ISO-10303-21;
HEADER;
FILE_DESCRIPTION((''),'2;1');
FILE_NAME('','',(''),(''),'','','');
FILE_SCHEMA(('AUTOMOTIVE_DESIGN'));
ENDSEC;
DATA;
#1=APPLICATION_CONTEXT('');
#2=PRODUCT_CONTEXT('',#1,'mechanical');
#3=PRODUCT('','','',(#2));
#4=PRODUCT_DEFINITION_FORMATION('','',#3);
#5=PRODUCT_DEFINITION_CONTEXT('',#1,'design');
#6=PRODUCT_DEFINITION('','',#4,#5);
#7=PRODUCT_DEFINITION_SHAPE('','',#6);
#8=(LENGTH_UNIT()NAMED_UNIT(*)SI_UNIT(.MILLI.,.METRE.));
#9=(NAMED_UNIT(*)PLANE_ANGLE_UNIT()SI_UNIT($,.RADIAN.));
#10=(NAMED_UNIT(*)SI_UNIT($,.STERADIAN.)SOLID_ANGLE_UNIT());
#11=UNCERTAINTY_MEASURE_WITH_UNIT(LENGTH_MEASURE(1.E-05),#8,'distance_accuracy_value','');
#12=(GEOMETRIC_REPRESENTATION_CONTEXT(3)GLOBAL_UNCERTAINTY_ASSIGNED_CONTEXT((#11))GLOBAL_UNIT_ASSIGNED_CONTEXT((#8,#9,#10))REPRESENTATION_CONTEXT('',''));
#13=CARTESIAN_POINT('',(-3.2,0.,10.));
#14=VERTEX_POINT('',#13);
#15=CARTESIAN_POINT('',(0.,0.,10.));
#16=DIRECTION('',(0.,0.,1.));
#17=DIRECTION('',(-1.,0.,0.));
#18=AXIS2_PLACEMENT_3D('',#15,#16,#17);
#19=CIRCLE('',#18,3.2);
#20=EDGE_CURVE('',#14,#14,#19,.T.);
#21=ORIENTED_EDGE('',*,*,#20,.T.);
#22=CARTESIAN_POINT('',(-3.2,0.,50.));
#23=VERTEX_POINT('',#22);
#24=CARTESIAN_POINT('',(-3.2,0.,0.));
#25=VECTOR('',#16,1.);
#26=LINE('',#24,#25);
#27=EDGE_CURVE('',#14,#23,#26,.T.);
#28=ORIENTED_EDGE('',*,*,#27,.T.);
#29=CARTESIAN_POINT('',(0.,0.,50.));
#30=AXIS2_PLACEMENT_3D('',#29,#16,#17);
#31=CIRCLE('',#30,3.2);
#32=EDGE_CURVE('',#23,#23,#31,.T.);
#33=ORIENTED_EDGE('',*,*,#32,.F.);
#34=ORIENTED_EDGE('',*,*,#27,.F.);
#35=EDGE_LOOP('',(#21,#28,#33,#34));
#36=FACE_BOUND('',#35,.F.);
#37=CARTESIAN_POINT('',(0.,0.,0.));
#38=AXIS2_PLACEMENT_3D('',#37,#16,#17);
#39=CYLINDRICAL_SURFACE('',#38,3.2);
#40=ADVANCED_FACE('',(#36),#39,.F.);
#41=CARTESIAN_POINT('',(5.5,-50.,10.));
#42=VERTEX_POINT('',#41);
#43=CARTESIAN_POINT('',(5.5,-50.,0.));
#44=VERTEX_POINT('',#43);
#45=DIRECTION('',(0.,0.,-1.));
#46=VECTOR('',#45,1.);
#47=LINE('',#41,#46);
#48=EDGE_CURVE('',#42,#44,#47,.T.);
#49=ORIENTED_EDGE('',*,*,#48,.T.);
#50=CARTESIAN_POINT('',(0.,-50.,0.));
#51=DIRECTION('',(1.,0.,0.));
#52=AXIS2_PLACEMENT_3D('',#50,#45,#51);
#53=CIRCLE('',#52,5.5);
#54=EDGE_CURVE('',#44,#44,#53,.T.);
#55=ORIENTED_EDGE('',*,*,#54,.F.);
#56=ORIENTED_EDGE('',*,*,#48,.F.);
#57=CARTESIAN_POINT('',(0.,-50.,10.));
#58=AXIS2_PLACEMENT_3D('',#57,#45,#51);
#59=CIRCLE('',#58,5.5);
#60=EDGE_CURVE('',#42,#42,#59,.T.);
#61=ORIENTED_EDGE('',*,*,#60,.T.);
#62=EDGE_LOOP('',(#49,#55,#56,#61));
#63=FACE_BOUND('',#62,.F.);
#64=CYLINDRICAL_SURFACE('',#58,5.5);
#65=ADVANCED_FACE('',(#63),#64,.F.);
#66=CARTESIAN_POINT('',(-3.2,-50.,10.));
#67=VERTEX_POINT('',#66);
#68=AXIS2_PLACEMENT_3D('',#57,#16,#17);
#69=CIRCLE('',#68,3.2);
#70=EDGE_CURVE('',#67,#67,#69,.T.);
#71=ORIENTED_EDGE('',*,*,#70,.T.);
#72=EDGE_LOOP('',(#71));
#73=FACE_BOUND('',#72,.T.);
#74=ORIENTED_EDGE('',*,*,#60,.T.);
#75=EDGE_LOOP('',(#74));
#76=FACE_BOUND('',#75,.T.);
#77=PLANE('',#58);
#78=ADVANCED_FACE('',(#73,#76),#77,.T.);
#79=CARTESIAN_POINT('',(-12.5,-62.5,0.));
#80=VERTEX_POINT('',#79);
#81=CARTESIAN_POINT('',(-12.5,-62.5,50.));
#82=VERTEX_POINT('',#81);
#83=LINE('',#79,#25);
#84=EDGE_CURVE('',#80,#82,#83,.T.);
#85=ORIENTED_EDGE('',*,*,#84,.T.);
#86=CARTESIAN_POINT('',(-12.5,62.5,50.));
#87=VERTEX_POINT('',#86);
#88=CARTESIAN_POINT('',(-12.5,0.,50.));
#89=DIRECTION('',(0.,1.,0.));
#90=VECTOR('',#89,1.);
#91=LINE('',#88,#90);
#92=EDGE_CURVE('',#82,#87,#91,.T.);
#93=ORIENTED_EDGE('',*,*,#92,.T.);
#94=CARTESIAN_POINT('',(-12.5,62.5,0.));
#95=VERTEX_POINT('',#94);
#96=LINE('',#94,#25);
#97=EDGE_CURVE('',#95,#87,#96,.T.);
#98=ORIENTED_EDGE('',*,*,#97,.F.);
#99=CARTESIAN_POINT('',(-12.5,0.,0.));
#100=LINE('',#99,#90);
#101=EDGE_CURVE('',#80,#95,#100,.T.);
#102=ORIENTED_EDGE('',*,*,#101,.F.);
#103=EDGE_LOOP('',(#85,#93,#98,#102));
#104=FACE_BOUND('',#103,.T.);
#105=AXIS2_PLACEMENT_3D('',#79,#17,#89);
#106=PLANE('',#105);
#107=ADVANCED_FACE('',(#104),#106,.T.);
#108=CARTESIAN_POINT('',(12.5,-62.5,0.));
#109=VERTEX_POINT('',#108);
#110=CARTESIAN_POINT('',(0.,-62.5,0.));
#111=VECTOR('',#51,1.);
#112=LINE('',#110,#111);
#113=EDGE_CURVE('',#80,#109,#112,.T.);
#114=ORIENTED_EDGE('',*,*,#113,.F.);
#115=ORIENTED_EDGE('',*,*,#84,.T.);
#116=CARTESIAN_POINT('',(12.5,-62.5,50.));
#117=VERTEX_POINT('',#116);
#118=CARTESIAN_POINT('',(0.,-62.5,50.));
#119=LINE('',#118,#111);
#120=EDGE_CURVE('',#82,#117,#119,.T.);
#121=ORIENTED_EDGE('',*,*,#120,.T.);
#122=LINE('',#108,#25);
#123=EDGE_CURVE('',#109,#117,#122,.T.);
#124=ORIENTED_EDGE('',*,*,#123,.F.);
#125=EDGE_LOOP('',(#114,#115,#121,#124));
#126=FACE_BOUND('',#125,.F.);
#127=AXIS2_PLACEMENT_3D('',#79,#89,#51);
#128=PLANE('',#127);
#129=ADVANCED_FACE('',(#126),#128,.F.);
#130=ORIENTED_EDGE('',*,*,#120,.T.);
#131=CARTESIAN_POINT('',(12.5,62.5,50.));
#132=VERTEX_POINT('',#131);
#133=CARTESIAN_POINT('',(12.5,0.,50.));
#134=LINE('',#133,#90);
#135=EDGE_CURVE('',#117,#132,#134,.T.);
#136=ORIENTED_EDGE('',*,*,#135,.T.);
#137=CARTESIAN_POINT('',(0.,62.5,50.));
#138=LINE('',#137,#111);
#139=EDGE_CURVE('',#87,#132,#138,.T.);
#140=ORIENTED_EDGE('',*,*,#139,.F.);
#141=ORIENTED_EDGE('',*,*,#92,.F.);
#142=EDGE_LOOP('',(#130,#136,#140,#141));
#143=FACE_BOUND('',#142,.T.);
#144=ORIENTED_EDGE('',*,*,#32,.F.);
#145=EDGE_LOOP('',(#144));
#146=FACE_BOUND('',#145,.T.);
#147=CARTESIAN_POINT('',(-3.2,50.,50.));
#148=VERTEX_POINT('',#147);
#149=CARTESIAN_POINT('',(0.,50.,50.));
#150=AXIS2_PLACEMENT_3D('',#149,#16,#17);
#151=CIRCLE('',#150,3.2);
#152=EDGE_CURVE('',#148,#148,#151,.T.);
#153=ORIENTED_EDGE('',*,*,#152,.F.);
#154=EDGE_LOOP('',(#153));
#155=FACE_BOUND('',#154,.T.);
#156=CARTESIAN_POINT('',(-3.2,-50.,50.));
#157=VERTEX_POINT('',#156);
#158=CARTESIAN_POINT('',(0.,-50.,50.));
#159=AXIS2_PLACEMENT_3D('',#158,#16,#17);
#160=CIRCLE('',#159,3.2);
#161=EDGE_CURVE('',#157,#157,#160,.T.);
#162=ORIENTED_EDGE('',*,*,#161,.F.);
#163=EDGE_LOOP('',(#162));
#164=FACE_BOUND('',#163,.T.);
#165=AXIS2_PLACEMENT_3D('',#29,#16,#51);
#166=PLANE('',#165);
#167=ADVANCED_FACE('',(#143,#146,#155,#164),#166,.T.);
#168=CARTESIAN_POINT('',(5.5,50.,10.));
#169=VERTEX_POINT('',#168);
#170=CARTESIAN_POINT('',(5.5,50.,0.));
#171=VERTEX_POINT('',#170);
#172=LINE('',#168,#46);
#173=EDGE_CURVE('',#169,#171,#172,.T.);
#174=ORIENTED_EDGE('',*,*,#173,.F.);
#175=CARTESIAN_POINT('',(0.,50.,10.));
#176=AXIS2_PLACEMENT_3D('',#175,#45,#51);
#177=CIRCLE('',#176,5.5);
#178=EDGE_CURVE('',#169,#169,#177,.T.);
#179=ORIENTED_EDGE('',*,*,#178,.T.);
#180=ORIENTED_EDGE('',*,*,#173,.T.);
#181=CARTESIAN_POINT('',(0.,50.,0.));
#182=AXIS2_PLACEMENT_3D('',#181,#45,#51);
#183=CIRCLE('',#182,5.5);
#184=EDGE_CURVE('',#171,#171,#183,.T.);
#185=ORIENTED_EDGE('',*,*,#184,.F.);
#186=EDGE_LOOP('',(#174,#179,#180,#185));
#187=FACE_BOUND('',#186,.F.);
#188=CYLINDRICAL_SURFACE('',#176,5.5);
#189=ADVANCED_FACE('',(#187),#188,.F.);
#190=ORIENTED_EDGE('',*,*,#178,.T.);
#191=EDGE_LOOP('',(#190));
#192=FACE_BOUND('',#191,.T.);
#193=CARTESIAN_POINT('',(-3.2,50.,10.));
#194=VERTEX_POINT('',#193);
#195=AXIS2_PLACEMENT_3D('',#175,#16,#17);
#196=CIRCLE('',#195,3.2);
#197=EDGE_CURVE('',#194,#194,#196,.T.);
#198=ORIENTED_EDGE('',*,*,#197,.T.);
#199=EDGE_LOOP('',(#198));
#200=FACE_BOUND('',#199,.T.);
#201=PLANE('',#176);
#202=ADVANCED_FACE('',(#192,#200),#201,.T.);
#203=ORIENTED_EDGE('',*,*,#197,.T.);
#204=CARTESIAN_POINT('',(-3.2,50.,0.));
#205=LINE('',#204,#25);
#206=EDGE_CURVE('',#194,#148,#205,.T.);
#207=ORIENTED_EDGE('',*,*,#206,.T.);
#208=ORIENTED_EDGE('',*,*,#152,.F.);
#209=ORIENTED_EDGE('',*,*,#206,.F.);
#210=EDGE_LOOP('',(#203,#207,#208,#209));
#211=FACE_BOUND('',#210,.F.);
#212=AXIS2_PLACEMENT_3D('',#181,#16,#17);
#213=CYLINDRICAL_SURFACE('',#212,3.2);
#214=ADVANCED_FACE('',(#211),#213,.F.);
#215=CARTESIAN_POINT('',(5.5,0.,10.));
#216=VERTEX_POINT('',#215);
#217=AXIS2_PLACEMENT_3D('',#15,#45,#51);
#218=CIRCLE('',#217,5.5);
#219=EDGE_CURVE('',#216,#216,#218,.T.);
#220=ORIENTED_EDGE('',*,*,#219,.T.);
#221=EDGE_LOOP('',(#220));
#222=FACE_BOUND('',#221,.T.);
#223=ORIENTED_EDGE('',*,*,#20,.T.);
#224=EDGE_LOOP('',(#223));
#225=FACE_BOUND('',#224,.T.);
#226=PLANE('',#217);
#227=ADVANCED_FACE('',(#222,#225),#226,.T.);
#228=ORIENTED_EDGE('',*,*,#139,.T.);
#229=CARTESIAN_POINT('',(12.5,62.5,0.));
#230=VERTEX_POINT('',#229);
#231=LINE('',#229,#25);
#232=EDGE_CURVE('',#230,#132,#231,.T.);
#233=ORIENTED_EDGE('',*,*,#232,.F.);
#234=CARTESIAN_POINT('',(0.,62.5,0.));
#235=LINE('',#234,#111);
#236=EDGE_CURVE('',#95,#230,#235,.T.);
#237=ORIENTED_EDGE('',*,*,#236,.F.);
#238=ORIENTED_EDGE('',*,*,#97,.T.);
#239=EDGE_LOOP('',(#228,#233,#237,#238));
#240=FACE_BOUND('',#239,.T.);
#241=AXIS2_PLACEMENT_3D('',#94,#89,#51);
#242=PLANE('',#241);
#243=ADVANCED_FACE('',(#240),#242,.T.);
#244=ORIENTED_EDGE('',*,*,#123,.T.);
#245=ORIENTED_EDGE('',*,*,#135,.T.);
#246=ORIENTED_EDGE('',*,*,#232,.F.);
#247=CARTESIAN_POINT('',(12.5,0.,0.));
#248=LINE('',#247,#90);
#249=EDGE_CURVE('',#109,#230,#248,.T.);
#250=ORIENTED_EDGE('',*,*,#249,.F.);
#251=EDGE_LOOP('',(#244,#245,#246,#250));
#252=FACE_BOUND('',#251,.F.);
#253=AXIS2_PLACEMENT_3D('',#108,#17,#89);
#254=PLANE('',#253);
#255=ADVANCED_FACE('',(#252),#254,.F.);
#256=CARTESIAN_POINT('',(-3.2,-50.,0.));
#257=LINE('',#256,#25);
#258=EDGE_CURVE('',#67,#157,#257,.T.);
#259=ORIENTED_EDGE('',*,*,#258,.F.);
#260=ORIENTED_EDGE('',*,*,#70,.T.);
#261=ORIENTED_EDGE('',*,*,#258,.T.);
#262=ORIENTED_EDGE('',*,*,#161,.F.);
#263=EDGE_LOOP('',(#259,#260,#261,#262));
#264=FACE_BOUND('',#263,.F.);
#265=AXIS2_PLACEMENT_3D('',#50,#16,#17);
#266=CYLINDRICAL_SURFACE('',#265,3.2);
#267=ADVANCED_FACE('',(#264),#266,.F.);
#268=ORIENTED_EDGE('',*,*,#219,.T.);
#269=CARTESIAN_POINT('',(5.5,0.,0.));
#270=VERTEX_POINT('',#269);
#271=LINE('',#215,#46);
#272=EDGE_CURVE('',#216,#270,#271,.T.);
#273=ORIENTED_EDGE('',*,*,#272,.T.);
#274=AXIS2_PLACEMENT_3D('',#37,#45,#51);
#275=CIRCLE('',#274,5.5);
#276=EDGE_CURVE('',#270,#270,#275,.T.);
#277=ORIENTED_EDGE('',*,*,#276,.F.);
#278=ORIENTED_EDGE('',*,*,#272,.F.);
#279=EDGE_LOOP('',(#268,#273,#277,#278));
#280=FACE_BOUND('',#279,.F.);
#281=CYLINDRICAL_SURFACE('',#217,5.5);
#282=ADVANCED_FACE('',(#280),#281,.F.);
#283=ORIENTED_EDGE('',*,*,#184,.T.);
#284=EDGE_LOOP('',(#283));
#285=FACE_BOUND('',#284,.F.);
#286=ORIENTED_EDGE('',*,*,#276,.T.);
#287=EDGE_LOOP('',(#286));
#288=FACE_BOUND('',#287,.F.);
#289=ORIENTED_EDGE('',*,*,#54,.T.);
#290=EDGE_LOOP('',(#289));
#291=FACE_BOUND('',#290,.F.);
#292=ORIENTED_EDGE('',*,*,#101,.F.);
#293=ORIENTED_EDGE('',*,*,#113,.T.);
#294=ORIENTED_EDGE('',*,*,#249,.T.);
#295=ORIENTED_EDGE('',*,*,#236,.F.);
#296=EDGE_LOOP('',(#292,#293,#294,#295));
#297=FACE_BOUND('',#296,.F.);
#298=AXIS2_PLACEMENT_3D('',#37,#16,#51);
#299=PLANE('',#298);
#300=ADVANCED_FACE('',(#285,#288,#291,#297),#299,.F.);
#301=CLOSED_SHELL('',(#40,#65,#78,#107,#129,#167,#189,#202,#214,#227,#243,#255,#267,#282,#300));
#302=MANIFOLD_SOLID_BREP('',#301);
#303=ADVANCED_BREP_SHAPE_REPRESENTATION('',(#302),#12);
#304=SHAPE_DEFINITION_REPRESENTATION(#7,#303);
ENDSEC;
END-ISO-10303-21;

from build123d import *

# Parameters (mm, degrees)
F0_W           = 25
F0_H           = 125
F1_DEPTH       = 50
F3_D           = 6.4
F3_CBORE_D     = 11
F3_CBORE_DEPTH = 10


with BuildPart() as f1:
    # F0 (on Top) → F1 (new body)
    with BuildSketch(Plane.XY):
        Rectangle(F0_W, F0_H)
    extrude(amount=F1_DEPTH)

    # F3 (through all)
    with Locations(Plane(origin=(0, 0, 0), x_dir=(1, 0, 0), z_dir=(0, 0, -1))):
        with Locations((0, 50), (0, -50), (0, 0)):
            CounterBoreHole(F3_D / 2, F3_CBORE_D / 2, F3_CBORE_DEPTH)


solid = f1.part
